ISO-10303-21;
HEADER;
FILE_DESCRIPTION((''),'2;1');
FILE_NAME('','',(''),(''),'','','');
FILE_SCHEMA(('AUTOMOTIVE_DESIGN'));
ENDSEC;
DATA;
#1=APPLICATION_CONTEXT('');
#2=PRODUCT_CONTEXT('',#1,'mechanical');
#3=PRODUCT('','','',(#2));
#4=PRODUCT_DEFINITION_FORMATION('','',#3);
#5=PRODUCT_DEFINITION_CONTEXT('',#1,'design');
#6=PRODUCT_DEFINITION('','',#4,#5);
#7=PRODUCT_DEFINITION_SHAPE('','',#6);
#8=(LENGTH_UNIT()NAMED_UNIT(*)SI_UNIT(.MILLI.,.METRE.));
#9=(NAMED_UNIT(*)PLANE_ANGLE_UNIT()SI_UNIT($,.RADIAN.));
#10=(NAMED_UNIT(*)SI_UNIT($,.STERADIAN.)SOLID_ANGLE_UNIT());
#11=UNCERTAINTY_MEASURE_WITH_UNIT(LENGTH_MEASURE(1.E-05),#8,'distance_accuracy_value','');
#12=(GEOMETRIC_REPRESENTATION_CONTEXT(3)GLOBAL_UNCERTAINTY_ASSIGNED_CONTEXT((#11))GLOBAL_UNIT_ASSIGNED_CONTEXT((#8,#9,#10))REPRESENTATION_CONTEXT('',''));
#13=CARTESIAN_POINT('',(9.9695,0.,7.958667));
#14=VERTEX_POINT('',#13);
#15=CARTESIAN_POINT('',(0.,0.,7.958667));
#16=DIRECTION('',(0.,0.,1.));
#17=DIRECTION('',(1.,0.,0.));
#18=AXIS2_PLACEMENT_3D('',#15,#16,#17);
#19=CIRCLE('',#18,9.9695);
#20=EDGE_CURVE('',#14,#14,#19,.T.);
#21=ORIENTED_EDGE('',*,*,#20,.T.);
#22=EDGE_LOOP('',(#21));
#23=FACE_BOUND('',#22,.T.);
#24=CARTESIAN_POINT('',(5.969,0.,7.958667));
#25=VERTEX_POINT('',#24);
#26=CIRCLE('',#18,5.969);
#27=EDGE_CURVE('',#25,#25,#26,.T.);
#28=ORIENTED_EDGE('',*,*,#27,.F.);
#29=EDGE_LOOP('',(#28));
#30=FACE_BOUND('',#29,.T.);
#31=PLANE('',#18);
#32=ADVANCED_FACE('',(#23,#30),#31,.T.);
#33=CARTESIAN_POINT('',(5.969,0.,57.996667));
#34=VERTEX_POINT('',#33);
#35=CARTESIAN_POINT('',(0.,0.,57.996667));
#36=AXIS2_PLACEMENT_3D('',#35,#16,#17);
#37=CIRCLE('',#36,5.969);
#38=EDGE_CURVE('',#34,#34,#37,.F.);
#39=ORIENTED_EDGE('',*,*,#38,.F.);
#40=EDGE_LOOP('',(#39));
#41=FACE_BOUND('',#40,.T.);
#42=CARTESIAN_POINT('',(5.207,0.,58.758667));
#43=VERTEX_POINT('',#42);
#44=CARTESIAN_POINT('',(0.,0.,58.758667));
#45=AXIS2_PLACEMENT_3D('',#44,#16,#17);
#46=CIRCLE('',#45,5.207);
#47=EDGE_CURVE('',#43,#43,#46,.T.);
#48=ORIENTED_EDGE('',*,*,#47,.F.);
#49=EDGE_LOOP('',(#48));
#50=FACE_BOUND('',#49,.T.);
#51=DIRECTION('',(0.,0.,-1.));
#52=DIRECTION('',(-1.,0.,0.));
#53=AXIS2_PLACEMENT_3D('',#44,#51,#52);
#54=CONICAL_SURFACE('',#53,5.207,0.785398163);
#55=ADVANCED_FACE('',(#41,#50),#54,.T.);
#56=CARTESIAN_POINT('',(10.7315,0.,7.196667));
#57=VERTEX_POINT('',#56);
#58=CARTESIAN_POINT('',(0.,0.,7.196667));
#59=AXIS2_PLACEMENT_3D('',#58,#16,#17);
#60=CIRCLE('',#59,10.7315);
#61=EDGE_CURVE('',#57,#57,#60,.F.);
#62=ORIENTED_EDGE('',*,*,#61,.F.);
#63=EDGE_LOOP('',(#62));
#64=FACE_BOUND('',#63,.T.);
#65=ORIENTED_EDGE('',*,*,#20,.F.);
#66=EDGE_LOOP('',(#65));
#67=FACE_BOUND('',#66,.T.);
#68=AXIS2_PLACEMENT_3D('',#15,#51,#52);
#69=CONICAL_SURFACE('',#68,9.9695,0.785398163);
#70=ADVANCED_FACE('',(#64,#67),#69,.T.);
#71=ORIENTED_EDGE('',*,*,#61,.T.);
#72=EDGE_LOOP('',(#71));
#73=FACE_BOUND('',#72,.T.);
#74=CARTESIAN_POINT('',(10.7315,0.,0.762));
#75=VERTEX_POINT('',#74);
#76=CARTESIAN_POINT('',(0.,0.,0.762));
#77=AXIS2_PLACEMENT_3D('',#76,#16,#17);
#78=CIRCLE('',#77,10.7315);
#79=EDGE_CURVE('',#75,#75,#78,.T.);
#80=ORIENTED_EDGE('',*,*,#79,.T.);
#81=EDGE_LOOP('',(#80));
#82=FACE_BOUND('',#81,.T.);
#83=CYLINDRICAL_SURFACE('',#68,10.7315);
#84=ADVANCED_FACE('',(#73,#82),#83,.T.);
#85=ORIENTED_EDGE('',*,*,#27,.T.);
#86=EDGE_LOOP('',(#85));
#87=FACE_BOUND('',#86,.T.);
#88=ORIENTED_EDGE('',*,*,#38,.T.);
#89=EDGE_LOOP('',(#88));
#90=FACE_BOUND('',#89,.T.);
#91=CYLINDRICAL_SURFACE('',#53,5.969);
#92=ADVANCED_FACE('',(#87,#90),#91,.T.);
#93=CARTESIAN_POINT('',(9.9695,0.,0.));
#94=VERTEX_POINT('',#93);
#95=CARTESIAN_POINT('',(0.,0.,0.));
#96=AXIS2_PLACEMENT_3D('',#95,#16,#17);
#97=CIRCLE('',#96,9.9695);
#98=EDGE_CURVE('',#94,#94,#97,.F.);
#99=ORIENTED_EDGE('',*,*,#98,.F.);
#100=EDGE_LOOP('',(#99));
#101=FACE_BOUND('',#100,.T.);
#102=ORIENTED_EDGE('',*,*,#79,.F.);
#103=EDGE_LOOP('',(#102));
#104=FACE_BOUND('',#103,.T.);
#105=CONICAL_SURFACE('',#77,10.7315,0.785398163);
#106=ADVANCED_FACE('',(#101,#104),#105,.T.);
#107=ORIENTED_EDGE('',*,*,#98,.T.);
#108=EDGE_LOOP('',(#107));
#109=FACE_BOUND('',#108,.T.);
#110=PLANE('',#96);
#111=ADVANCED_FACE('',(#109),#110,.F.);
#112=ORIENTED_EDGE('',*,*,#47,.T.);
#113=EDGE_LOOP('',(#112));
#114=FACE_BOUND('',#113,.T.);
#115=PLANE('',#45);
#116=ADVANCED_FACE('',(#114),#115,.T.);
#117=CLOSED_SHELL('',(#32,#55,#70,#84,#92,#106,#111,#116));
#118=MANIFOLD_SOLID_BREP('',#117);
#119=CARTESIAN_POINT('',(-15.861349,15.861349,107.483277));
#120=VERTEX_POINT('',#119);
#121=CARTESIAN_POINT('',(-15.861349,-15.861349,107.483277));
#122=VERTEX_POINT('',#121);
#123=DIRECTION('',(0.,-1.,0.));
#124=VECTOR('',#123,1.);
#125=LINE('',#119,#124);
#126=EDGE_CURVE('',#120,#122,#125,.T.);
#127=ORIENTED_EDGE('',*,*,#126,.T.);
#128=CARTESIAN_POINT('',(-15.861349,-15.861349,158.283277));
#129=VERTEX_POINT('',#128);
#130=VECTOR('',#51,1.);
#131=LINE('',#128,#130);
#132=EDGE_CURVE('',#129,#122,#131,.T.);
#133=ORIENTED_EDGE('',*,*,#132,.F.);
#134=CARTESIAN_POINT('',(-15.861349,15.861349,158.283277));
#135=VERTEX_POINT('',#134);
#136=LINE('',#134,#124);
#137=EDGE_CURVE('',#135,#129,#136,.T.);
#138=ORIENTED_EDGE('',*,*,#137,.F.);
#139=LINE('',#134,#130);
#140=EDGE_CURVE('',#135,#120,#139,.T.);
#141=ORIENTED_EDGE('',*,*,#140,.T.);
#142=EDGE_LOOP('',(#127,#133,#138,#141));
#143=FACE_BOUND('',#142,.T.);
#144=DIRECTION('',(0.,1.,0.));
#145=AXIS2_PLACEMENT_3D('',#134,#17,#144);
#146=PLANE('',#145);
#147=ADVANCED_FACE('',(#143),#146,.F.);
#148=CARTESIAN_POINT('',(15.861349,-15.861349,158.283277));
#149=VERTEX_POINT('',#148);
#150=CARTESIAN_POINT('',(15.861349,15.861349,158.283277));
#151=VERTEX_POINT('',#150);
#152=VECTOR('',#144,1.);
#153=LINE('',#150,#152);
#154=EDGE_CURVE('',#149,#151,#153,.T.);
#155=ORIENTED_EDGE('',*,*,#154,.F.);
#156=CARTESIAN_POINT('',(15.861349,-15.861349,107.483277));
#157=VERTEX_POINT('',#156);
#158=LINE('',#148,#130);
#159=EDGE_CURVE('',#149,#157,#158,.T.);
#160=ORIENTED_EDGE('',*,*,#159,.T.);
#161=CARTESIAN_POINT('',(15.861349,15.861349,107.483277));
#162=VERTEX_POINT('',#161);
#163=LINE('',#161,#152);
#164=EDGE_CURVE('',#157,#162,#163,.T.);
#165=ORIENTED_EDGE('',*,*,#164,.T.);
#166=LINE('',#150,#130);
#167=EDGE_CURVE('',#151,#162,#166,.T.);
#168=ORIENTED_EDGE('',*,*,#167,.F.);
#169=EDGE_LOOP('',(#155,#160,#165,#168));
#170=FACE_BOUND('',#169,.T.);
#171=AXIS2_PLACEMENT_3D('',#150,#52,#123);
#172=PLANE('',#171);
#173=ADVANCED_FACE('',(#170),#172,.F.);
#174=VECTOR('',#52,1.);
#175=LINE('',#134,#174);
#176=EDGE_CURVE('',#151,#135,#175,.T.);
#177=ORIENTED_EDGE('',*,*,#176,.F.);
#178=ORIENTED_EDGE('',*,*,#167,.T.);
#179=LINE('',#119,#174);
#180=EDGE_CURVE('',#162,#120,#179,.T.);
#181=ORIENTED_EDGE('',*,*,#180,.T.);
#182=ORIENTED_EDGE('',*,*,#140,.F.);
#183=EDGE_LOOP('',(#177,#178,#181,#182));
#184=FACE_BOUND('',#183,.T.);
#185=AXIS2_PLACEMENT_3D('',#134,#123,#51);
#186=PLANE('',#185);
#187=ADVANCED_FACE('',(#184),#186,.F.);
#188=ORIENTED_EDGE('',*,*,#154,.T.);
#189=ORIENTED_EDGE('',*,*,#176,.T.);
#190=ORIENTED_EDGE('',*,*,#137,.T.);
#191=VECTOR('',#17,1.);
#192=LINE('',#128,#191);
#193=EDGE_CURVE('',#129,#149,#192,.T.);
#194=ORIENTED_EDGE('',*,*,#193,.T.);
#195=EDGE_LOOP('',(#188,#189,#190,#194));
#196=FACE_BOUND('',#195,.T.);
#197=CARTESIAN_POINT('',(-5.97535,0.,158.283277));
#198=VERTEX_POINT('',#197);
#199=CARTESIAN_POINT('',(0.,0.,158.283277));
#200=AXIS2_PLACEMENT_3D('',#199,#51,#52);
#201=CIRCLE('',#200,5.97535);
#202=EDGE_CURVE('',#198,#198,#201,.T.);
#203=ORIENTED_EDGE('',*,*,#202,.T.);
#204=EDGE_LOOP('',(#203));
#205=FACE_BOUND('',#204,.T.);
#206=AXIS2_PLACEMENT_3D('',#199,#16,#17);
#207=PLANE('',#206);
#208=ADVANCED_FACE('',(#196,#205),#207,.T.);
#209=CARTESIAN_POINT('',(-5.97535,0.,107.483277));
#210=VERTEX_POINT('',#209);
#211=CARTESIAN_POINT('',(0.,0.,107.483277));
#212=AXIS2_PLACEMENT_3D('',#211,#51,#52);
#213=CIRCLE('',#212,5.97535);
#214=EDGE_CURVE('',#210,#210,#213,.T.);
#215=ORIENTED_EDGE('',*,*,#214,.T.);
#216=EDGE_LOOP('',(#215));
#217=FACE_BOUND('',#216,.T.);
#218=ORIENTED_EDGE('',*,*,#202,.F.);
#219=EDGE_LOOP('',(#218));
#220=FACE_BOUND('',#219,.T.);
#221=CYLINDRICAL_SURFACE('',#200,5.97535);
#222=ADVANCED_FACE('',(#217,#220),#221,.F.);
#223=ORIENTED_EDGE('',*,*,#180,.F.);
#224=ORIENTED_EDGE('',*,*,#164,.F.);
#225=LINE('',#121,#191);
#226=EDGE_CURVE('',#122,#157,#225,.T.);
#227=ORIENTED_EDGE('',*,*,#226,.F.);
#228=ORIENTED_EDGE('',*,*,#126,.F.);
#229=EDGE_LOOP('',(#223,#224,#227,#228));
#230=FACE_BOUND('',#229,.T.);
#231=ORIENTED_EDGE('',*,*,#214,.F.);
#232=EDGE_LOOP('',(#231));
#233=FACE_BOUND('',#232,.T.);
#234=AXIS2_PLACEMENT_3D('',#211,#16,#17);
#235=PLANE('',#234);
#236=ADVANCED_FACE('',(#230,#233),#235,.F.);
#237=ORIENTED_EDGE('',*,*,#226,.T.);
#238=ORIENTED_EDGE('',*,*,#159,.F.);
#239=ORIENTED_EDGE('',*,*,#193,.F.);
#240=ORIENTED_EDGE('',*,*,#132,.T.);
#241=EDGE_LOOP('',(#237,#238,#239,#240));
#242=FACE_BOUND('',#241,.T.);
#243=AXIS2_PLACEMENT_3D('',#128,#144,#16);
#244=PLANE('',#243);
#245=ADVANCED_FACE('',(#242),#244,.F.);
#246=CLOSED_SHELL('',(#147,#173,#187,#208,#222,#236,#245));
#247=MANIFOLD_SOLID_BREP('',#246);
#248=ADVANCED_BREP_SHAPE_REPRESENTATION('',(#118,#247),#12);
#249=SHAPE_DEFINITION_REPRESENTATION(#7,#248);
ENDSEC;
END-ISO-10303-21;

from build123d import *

# Parameters (mm, degrees)
SKETCH1_R           = 10.7315
BOSS_EXTRUDE1_DEPTH = 7.958666667
SKETCH2_R           = 5.969
BOSS_EXTRUDE2_DEPTH = 50.8
SKETCH3_W           = 31.722698392
SKETCH3_H           = 31.722698392
BOSS_EXTRUDE3_DEPTH = 50.8
SKETCH4_R           = 5.97535
CUT_EXTRUDE1_DEPTH  = 110.798996017
CHAMFER1_SIZE       = 0.762


with BuildPart() as part:
    # Sketch1 → Boss-Extrude1 (new body)
    with BuildSketch(Plane.XY):
        Circle(SKETCH1_R)
    extrude(amount=BOSS_EXTRUDE1_DEPTH)

    # Sketch2 → Boss-Extrude2 (add)
    with BuildSketch(Plane.XY.offset(7.958666667)):
        Circle(SKETCH2_R)
    extrude(amount=BOSS_EXTRUDE2_DEPTH)

    # Chamfer1
    chamfer1_edges = [part.edges().sort_by_distance(p)[0] for p in [
        (-10.7315, 0, 0),
        (-10.7315, 0, 7.958666667),
        (-5.969, 0, 58.758666667),
    ]]
    chamfer(chamfer1_edges, length=CHAMFER1_SIZE)


with BuildPart() as body_2:
    # Sketch3 → Boss-Extrude3 (new body)
    with BuildSketch(Plane.XY.offset(107.483276511)):
        Rectangle(SKETCH3_W, SKETCH3_H)
    extrude(amount=BOSS_EXTRUDE3_DEPTH)

    # Sketch4 → Cut-Extrude1 (cut, through all)
    with BuildSketch(Plane(origin=(0, 0, 107.483276511), x_dir=(-1, 0, 0), z_dir=(0, 0, -1))):
        Circle(SKETCH4_R)
    extrude(amount=-CUT_EXTRUDE1_DEPTH, mode=Mode.SUBTRACT)


solid = Compound([part.part, body_2.part])
